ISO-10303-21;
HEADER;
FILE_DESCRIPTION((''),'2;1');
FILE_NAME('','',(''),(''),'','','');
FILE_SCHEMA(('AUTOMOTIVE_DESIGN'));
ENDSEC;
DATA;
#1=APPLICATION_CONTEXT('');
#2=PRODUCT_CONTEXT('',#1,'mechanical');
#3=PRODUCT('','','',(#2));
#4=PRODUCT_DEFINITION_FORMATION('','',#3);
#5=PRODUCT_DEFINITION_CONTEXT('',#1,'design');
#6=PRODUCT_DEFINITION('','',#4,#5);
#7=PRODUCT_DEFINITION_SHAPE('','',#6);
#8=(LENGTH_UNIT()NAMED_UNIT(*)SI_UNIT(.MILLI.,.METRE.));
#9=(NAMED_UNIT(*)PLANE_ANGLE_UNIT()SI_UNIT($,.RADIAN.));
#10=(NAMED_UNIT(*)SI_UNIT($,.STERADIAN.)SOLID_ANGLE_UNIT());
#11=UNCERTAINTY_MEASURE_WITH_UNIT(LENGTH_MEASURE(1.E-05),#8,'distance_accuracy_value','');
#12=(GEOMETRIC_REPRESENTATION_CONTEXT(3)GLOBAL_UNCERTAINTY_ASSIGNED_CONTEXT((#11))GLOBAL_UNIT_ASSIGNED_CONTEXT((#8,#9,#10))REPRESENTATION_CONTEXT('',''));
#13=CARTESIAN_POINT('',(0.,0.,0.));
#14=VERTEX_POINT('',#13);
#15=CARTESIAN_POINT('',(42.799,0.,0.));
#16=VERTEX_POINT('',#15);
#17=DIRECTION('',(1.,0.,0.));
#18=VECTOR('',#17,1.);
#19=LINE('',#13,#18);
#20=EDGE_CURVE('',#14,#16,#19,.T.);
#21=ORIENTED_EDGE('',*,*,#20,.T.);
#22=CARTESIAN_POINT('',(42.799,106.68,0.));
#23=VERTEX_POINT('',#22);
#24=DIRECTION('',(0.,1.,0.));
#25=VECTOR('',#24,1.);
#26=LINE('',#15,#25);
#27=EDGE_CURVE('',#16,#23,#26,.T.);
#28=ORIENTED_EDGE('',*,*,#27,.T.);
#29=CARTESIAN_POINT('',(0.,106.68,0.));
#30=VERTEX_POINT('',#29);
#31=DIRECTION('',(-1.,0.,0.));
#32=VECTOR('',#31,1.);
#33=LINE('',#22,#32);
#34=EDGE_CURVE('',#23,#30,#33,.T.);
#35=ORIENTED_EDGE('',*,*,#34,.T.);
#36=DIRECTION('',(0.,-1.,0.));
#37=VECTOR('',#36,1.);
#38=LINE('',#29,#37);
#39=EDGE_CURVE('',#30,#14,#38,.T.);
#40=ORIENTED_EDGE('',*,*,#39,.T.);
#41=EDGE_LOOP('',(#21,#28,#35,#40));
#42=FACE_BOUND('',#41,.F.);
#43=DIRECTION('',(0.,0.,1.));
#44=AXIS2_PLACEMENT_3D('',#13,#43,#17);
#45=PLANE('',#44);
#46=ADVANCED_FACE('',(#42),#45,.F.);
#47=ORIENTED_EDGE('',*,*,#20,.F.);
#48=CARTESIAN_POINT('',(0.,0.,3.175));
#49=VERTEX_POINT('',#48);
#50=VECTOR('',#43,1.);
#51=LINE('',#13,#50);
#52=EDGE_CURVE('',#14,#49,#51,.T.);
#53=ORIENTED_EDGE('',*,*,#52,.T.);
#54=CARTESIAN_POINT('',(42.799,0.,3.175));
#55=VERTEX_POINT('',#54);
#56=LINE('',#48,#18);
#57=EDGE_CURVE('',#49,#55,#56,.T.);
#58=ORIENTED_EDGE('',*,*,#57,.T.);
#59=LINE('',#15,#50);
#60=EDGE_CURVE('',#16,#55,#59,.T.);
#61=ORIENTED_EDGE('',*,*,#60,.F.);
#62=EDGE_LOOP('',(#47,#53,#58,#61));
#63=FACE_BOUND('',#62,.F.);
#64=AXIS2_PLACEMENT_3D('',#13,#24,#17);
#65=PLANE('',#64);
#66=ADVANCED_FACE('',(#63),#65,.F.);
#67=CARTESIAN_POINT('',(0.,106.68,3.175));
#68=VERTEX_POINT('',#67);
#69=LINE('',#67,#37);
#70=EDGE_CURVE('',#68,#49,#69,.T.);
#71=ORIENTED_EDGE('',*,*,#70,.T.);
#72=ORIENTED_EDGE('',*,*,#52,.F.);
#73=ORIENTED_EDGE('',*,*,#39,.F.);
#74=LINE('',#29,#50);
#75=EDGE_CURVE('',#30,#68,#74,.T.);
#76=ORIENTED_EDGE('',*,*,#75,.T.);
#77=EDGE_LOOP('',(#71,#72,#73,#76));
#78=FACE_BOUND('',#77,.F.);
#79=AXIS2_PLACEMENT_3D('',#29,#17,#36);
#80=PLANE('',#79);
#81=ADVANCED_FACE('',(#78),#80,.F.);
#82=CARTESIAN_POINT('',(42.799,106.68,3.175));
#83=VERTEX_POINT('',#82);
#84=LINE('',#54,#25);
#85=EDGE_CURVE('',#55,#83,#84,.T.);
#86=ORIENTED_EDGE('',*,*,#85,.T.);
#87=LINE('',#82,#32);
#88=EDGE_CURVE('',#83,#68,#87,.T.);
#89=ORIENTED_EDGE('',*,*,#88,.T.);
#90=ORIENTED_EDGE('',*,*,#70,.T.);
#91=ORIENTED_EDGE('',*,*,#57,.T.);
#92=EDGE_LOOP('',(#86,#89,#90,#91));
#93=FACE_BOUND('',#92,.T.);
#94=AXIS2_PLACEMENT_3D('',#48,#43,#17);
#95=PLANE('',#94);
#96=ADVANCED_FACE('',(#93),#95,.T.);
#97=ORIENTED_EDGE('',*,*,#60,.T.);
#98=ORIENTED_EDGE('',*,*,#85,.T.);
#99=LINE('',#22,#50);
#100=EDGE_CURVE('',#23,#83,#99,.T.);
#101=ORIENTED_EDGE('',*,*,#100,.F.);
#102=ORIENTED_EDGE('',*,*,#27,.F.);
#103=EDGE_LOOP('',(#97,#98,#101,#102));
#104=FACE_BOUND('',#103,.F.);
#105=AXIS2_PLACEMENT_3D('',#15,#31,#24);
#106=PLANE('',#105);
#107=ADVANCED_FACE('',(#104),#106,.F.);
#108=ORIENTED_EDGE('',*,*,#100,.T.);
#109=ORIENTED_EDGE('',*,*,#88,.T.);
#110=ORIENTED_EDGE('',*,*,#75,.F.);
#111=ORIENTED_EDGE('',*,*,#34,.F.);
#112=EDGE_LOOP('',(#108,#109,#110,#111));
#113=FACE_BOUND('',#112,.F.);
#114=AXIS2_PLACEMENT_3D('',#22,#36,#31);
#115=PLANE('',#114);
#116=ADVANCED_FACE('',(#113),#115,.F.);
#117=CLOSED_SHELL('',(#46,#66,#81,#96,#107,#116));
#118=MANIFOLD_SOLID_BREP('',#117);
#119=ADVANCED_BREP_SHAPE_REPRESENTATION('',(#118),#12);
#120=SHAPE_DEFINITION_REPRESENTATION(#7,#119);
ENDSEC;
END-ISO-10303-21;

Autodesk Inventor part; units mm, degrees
ref_plane "YZ Plane" through (0, 0, 0) normal (1, 0, 0) x (0, 1, 0)
ref_plane "XZ Plane" through (0, 0, 0) normal (0, 1, 0) x (-1, 0, 0)
ref_plane "XY Plane" through (0, 0, 0) normal (0, 0, 1) x (1, 0, 0)
sketch "Sketch1" plane through (0, 0, 0) normal (0, 0, 1) x (1, 0, 0)
  line L0 (0, 0) -> (42.799, 0)
  line L1 (42.799, 0) -> (42.799, 106.68)
  line L2 (42.799, 106.68) -> (0, 106.68)
  line L3 (0, 106.68) -> (0, 0)
  dimension "d0" = 42.799
  dimension "d1" = 106.68
extrude "Extrusion1" add sketch "Sketch1" along normal blind 3.175
properties part number "SatelliteLexanPlateSensor"
